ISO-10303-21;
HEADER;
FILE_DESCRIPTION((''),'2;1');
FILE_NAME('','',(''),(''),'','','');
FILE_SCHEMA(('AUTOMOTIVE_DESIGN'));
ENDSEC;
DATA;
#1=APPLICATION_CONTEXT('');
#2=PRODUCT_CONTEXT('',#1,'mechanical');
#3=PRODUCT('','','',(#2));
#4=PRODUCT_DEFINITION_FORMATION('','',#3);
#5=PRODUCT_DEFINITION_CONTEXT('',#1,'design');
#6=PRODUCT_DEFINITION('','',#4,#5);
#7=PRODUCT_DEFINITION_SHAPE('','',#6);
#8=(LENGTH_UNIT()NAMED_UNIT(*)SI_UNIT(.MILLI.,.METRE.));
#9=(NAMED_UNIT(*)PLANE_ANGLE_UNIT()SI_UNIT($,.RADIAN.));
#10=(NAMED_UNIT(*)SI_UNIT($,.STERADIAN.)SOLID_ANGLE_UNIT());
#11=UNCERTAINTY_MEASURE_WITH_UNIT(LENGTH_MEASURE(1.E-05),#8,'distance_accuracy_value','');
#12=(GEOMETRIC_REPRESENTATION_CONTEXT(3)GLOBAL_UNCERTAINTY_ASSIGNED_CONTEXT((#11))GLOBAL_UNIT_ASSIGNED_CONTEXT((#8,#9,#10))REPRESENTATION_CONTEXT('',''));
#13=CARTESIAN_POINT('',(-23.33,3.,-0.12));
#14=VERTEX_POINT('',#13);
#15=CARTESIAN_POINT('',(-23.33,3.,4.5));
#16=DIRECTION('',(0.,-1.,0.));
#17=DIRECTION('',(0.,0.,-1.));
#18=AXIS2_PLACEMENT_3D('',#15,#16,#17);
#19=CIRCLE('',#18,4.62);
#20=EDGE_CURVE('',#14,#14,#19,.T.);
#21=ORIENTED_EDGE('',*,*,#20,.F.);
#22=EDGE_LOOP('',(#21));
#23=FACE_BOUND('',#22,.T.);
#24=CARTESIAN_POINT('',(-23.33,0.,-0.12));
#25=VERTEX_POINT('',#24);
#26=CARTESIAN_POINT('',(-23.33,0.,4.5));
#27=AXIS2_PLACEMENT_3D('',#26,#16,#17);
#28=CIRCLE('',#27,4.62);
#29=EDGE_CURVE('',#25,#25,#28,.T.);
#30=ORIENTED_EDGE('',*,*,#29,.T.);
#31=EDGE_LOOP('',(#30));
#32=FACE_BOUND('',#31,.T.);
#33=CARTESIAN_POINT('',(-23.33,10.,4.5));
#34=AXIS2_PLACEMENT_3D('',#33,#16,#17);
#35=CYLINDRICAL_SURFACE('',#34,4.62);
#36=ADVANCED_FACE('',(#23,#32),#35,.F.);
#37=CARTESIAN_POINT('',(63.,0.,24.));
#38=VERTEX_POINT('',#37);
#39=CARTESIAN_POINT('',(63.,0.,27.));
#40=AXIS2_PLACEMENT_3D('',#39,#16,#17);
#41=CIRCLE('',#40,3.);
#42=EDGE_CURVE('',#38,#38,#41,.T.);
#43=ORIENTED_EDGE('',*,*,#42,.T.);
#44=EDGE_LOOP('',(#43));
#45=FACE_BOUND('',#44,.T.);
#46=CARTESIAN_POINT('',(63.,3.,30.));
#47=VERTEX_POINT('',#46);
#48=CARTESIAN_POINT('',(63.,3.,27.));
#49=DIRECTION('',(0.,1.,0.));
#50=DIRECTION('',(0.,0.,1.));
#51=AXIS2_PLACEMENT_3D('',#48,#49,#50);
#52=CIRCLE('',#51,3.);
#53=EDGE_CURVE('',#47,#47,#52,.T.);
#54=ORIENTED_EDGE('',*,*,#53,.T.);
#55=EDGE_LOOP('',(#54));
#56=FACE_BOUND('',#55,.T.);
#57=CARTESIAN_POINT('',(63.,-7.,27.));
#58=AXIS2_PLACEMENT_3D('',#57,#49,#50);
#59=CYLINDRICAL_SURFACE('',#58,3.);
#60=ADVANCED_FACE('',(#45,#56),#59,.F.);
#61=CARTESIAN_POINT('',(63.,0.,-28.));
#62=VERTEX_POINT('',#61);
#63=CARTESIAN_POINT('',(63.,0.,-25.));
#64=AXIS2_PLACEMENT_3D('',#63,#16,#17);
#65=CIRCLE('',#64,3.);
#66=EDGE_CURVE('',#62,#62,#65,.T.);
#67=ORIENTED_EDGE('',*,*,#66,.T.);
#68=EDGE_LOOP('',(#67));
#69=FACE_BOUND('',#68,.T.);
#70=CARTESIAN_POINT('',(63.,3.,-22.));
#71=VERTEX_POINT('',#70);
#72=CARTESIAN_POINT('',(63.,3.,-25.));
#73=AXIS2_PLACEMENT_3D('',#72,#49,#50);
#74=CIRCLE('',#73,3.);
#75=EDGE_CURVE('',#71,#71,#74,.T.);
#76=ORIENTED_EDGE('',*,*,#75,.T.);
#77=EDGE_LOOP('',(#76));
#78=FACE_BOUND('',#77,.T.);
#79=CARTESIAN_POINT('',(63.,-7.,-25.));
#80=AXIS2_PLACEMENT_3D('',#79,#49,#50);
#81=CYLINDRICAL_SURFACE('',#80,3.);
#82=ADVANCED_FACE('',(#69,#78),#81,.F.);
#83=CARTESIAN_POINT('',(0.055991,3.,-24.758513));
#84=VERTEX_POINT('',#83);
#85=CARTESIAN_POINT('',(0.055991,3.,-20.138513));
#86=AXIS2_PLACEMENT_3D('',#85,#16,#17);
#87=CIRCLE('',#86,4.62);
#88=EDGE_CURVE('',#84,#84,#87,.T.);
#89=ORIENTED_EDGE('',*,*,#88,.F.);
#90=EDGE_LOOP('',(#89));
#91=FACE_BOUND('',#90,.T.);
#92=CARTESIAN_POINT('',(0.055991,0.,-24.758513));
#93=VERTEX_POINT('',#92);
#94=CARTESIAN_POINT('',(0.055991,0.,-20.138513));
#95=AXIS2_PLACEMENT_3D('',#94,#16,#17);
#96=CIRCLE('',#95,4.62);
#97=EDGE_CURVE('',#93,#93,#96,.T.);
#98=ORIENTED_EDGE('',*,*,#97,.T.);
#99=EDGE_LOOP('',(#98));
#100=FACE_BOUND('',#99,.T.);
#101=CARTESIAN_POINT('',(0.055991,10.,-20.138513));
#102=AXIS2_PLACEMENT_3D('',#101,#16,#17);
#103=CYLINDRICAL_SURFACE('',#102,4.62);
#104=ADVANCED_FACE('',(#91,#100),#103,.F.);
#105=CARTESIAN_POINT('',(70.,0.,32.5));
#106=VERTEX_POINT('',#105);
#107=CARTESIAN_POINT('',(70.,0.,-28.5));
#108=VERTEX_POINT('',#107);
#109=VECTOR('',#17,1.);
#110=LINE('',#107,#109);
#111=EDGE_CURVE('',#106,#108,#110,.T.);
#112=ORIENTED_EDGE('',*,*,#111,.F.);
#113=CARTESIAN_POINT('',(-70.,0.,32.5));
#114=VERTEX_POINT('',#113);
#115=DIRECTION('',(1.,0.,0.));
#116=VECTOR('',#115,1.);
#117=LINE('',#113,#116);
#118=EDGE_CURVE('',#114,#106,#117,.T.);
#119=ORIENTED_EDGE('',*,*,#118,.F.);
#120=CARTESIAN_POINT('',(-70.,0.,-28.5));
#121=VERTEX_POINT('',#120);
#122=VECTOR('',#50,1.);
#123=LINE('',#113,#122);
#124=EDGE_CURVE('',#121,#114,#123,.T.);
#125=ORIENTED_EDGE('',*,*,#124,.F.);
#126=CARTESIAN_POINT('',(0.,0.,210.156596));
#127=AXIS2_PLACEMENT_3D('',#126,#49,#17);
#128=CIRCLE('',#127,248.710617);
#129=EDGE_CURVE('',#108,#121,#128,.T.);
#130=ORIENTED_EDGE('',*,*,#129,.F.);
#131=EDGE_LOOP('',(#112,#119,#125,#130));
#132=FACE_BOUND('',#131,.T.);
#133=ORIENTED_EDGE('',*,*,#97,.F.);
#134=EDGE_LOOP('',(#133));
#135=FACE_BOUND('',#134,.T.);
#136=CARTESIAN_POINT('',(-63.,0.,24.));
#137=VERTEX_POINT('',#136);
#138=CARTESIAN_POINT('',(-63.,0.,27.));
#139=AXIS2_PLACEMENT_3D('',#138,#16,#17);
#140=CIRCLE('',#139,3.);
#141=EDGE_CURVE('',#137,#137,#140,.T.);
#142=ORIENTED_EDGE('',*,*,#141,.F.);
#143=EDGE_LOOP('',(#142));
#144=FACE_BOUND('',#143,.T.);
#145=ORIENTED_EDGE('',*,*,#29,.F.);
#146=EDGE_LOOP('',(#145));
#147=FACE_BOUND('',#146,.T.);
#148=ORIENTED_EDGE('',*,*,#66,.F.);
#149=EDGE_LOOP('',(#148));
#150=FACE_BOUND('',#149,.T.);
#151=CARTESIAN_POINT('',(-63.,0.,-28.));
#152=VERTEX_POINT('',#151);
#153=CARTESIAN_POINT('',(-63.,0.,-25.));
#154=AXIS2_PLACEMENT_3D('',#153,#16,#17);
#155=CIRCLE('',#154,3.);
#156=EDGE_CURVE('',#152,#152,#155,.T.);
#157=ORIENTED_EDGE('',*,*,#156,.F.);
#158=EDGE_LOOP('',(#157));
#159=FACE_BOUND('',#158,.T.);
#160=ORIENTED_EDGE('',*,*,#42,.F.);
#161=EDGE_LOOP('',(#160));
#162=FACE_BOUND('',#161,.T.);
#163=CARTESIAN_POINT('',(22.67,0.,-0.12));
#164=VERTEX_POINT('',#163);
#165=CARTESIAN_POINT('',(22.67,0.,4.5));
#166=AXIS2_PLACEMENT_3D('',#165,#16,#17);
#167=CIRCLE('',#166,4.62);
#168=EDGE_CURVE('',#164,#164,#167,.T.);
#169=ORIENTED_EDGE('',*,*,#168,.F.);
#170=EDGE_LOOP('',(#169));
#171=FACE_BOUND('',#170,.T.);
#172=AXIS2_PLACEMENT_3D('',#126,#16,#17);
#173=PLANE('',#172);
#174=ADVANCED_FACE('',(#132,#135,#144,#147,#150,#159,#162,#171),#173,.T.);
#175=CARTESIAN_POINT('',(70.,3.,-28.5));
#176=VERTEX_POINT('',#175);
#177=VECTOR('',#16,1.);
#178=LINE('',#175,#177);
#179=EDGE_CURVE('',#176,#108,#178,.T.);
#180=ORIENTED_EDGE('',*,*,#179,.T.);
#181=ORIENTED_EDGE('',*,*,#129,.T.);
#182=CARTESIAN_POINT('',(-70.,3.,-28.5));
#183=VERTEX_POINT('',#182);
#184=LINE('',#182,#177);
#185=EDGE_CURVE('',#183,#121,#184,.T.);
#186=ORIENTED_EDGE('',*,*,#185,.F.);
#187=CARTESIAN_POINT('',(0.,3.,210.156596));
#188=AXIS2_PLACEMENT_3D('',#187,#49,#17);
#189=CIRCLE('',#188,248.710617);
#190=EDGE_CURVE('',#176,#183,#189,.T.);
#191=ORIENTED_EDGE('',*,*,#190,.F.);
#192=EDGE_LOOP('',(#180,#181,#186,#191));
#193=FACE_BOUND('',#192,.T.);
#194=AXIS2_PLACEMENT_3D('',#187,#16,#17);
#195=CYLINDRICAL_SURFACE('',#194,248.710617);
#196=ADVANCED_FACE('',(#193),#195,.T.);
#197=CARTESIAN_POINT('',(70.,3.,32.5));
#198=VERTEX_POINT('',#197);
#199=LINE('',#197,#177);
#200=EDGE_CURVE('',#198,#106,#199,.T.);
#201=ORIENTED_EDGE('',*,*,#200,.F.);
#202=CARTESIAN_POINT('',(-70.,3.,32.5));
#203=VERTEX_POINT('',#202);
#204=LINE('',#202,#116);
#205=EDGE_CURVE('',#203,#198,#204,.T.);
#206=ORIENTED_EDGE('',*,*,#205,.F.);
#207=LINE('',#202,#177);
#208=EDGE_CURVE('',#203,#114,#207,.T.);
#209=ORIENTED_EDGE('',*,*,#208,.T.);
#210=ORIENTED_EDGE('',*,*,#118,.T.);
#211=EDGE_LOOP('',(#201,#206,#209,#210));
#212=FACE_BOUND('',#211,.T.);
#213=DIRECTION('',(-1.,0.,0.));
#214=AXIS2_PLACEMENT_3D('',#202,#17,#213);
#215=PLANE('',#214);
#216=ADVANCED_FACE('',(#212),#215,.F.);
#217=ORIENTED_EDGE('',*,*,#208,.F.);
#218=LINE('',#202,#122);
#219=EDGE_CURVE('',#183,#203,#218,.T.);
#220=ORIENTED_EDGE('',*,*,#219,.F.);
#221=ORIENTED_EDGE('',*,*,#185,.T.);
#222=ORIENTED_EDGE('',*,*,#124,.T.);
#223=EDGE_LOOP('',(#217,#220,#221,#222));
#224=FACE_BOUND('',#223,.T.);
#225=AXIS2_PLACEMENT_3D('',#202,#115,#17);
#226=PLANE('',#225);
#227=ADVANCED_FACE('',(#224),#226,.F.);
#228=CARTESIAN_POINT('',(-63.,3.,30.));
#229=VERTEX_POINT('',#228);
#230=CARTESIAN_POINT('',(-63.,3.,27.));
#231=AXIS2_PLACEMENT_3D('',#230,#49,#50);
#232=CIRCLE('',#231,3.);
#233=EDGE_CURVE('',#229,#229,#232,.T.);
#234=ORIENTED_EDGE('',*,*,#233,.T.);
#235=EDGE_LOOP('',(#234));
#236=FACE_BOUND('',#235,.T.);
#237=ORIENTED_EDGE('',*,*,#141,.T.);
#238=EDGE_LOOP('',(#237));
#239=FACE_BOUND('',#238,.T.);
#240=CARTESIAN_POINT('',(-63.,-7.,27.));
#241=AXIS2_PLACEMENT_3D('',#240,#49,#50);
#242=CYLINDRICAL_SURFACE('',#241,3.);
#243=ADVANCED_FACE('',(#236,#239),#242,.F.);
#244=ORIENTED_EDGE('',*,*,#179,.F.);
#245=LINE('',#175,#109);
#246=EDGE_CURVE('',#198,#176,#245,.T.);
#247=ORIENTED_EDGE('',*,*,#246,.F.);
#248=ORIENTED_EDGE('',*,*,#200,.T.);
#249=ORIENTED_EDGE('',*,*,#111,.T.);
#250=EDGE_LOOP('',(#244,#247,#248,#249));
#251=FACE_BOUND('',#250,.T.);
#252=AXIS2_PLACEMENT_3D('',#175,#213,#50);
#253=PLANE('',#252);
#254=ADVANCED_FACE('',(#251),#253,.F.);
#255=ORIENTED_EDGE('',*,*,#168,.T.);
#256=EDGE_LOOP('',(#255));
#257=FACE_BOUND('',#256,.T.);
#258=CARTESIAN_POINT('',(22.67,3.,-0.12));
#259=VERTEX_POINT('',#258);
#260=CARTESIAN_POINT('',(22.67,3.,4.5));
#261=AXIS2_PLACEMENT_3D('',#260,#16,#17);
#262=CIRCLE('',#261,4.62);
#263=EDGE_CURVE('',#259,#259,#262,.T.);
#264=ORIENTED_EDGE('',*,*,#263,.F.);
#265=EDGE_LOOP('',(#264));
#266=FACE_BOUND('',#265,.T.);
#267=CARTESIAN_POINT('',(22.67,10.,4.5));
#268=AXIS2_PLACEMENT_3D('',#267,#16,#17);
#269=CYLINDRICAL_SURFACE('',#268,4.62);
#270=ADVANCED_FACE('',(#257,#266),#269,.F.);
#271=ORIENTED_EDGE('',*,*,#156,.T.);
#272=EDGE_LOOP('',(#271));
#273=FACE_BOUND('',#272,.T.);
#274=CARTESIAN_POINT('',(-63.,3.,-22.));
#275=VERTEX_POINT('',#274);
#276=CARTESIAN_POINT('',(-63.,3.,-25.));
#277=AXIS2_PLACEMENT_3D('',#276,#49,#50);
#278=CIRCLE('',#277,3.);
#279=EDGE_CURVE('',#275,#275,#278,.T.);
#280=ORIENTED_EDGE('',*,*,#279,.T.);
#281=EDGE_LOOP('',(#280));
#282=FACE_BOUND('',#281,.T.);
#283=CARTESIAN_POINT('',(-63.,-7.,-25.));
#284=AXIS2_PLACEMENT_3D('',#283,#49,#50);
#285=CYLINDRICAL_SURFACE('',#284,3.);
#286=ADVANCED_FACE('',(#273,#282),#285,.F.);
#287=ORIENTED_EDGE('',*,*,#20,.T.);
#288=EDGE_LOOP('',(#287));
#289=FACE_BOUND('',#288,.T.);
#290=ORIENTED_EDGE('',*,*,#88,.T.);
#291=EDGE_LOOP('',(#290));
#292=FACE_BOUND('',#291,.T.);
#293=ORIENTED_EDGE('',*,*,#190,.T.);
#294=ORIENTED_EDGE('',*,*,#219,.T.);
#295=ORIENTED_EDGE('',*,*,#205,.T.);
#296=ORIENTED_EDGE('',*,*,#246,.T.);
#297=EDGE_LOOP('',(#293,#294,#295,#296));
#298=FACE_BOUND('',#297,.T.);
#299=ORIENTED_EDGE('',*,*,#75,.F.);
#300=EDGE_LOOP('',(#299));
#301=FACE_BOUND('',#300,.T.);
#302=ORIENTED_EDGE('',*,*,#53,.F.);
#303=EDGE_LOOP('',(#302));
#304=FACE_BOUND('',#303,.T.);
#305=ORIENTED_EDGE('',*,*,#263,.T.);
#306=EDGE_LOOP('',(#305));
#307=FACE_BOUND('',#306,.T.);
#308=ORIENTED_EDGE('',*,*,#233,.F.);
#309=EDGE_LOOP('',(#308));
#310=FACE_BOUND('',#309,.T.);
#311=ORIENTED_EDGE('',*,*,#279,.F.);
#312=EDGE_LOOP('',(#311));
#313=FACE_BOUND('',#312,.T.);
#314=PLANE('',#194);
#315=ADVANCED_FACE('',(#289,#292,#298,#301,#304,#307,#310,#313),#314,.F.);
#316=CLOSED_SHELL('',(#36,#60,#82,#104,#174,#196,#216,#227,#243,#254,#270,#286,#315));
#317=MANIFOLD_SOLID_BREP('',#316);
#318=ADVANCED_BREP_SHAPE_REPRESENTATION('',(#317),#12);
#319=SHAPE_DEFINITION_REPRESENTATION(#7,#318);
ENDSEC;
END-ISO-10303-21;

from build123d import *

# Parameters (mm, degrees)
BOSS_EXTRUDE1_DEPTH = 3
SKETCH3_R           = 3
CUT_EXTRUDE1_DEPTH  = 10
SKETCH4_R           = 4.62
CUT_EXTRUDE2_DEPTH  = 10


with BuildPart() as part:
    # Sketch1 → Boss-Extrude1 (new body)
    with BuildSketch(Plane(origin=(0, 0, 0), x_dir=(1, 0, 0), z_dir=(0, 1, 0))):
        with BuildLine():
            Line((70, 28.5), (70, -32.5))
            Line((70, -32.5), (-70, -32.5))
            Line((-70, -32.5), (-70, 28.5))
            ThreePointArc((-70, 28.5), (0, 38.554020598), (70, 28.5))
        make_face()
    extrude(amount=BOSS_EXTRUDE1_DEPTH)

    # Sketch3 → Cut-Extrude1 (cut)
    with BuildSketch(Plane(origin=(0, 3, 0), x_dir=(1, 0, 0), z_dir=(0, 1, 0))):
        with Locations(Location((-63, 25, 0), (0, 0, 270))):
            Circle(SKETCH3_R)
        with Locations(Location((-63, -27, 0), (0, 0, 270))):
            Circle(SKETCH3_R)
        with Locations(Location((63, 25, 0), (0, 0, 270))):
            Circle(SKETCH3_R)
        with Locations(Location((63, -27, 0), (0, 0, 270))):
            Circle(SKETCH3_R)
    extrude(amount=-CUT_EXTRUDE1_DEPTH, mode=Mode.SUBTRACT)

    # Sketch4 → Cut-Extrude2 (cut)
    with BuildSketch(Plane(origin=(0, 0, 0), x_dir=(-1, 0, 0), z_dir=(0, -1, 0))):
        with Locations(Location((23.33, -4.5, 0), (0, 0, 90))):
            Circle(SKETCH4_R)
        with Locations(Location((-22.67, -4.5, 0), (0, 0, 90))):
            Circle(SKETCH4_R)
        with Locations(Location((-0.055991236, 20.138512818, 0), (0, 0, 90))):
            Circle(SKETCH4_R)
    extrude(amount=-CUT_EXTRUDE2_DEPTH, mode=Mode.SUBTRACT)


solid = part.part
